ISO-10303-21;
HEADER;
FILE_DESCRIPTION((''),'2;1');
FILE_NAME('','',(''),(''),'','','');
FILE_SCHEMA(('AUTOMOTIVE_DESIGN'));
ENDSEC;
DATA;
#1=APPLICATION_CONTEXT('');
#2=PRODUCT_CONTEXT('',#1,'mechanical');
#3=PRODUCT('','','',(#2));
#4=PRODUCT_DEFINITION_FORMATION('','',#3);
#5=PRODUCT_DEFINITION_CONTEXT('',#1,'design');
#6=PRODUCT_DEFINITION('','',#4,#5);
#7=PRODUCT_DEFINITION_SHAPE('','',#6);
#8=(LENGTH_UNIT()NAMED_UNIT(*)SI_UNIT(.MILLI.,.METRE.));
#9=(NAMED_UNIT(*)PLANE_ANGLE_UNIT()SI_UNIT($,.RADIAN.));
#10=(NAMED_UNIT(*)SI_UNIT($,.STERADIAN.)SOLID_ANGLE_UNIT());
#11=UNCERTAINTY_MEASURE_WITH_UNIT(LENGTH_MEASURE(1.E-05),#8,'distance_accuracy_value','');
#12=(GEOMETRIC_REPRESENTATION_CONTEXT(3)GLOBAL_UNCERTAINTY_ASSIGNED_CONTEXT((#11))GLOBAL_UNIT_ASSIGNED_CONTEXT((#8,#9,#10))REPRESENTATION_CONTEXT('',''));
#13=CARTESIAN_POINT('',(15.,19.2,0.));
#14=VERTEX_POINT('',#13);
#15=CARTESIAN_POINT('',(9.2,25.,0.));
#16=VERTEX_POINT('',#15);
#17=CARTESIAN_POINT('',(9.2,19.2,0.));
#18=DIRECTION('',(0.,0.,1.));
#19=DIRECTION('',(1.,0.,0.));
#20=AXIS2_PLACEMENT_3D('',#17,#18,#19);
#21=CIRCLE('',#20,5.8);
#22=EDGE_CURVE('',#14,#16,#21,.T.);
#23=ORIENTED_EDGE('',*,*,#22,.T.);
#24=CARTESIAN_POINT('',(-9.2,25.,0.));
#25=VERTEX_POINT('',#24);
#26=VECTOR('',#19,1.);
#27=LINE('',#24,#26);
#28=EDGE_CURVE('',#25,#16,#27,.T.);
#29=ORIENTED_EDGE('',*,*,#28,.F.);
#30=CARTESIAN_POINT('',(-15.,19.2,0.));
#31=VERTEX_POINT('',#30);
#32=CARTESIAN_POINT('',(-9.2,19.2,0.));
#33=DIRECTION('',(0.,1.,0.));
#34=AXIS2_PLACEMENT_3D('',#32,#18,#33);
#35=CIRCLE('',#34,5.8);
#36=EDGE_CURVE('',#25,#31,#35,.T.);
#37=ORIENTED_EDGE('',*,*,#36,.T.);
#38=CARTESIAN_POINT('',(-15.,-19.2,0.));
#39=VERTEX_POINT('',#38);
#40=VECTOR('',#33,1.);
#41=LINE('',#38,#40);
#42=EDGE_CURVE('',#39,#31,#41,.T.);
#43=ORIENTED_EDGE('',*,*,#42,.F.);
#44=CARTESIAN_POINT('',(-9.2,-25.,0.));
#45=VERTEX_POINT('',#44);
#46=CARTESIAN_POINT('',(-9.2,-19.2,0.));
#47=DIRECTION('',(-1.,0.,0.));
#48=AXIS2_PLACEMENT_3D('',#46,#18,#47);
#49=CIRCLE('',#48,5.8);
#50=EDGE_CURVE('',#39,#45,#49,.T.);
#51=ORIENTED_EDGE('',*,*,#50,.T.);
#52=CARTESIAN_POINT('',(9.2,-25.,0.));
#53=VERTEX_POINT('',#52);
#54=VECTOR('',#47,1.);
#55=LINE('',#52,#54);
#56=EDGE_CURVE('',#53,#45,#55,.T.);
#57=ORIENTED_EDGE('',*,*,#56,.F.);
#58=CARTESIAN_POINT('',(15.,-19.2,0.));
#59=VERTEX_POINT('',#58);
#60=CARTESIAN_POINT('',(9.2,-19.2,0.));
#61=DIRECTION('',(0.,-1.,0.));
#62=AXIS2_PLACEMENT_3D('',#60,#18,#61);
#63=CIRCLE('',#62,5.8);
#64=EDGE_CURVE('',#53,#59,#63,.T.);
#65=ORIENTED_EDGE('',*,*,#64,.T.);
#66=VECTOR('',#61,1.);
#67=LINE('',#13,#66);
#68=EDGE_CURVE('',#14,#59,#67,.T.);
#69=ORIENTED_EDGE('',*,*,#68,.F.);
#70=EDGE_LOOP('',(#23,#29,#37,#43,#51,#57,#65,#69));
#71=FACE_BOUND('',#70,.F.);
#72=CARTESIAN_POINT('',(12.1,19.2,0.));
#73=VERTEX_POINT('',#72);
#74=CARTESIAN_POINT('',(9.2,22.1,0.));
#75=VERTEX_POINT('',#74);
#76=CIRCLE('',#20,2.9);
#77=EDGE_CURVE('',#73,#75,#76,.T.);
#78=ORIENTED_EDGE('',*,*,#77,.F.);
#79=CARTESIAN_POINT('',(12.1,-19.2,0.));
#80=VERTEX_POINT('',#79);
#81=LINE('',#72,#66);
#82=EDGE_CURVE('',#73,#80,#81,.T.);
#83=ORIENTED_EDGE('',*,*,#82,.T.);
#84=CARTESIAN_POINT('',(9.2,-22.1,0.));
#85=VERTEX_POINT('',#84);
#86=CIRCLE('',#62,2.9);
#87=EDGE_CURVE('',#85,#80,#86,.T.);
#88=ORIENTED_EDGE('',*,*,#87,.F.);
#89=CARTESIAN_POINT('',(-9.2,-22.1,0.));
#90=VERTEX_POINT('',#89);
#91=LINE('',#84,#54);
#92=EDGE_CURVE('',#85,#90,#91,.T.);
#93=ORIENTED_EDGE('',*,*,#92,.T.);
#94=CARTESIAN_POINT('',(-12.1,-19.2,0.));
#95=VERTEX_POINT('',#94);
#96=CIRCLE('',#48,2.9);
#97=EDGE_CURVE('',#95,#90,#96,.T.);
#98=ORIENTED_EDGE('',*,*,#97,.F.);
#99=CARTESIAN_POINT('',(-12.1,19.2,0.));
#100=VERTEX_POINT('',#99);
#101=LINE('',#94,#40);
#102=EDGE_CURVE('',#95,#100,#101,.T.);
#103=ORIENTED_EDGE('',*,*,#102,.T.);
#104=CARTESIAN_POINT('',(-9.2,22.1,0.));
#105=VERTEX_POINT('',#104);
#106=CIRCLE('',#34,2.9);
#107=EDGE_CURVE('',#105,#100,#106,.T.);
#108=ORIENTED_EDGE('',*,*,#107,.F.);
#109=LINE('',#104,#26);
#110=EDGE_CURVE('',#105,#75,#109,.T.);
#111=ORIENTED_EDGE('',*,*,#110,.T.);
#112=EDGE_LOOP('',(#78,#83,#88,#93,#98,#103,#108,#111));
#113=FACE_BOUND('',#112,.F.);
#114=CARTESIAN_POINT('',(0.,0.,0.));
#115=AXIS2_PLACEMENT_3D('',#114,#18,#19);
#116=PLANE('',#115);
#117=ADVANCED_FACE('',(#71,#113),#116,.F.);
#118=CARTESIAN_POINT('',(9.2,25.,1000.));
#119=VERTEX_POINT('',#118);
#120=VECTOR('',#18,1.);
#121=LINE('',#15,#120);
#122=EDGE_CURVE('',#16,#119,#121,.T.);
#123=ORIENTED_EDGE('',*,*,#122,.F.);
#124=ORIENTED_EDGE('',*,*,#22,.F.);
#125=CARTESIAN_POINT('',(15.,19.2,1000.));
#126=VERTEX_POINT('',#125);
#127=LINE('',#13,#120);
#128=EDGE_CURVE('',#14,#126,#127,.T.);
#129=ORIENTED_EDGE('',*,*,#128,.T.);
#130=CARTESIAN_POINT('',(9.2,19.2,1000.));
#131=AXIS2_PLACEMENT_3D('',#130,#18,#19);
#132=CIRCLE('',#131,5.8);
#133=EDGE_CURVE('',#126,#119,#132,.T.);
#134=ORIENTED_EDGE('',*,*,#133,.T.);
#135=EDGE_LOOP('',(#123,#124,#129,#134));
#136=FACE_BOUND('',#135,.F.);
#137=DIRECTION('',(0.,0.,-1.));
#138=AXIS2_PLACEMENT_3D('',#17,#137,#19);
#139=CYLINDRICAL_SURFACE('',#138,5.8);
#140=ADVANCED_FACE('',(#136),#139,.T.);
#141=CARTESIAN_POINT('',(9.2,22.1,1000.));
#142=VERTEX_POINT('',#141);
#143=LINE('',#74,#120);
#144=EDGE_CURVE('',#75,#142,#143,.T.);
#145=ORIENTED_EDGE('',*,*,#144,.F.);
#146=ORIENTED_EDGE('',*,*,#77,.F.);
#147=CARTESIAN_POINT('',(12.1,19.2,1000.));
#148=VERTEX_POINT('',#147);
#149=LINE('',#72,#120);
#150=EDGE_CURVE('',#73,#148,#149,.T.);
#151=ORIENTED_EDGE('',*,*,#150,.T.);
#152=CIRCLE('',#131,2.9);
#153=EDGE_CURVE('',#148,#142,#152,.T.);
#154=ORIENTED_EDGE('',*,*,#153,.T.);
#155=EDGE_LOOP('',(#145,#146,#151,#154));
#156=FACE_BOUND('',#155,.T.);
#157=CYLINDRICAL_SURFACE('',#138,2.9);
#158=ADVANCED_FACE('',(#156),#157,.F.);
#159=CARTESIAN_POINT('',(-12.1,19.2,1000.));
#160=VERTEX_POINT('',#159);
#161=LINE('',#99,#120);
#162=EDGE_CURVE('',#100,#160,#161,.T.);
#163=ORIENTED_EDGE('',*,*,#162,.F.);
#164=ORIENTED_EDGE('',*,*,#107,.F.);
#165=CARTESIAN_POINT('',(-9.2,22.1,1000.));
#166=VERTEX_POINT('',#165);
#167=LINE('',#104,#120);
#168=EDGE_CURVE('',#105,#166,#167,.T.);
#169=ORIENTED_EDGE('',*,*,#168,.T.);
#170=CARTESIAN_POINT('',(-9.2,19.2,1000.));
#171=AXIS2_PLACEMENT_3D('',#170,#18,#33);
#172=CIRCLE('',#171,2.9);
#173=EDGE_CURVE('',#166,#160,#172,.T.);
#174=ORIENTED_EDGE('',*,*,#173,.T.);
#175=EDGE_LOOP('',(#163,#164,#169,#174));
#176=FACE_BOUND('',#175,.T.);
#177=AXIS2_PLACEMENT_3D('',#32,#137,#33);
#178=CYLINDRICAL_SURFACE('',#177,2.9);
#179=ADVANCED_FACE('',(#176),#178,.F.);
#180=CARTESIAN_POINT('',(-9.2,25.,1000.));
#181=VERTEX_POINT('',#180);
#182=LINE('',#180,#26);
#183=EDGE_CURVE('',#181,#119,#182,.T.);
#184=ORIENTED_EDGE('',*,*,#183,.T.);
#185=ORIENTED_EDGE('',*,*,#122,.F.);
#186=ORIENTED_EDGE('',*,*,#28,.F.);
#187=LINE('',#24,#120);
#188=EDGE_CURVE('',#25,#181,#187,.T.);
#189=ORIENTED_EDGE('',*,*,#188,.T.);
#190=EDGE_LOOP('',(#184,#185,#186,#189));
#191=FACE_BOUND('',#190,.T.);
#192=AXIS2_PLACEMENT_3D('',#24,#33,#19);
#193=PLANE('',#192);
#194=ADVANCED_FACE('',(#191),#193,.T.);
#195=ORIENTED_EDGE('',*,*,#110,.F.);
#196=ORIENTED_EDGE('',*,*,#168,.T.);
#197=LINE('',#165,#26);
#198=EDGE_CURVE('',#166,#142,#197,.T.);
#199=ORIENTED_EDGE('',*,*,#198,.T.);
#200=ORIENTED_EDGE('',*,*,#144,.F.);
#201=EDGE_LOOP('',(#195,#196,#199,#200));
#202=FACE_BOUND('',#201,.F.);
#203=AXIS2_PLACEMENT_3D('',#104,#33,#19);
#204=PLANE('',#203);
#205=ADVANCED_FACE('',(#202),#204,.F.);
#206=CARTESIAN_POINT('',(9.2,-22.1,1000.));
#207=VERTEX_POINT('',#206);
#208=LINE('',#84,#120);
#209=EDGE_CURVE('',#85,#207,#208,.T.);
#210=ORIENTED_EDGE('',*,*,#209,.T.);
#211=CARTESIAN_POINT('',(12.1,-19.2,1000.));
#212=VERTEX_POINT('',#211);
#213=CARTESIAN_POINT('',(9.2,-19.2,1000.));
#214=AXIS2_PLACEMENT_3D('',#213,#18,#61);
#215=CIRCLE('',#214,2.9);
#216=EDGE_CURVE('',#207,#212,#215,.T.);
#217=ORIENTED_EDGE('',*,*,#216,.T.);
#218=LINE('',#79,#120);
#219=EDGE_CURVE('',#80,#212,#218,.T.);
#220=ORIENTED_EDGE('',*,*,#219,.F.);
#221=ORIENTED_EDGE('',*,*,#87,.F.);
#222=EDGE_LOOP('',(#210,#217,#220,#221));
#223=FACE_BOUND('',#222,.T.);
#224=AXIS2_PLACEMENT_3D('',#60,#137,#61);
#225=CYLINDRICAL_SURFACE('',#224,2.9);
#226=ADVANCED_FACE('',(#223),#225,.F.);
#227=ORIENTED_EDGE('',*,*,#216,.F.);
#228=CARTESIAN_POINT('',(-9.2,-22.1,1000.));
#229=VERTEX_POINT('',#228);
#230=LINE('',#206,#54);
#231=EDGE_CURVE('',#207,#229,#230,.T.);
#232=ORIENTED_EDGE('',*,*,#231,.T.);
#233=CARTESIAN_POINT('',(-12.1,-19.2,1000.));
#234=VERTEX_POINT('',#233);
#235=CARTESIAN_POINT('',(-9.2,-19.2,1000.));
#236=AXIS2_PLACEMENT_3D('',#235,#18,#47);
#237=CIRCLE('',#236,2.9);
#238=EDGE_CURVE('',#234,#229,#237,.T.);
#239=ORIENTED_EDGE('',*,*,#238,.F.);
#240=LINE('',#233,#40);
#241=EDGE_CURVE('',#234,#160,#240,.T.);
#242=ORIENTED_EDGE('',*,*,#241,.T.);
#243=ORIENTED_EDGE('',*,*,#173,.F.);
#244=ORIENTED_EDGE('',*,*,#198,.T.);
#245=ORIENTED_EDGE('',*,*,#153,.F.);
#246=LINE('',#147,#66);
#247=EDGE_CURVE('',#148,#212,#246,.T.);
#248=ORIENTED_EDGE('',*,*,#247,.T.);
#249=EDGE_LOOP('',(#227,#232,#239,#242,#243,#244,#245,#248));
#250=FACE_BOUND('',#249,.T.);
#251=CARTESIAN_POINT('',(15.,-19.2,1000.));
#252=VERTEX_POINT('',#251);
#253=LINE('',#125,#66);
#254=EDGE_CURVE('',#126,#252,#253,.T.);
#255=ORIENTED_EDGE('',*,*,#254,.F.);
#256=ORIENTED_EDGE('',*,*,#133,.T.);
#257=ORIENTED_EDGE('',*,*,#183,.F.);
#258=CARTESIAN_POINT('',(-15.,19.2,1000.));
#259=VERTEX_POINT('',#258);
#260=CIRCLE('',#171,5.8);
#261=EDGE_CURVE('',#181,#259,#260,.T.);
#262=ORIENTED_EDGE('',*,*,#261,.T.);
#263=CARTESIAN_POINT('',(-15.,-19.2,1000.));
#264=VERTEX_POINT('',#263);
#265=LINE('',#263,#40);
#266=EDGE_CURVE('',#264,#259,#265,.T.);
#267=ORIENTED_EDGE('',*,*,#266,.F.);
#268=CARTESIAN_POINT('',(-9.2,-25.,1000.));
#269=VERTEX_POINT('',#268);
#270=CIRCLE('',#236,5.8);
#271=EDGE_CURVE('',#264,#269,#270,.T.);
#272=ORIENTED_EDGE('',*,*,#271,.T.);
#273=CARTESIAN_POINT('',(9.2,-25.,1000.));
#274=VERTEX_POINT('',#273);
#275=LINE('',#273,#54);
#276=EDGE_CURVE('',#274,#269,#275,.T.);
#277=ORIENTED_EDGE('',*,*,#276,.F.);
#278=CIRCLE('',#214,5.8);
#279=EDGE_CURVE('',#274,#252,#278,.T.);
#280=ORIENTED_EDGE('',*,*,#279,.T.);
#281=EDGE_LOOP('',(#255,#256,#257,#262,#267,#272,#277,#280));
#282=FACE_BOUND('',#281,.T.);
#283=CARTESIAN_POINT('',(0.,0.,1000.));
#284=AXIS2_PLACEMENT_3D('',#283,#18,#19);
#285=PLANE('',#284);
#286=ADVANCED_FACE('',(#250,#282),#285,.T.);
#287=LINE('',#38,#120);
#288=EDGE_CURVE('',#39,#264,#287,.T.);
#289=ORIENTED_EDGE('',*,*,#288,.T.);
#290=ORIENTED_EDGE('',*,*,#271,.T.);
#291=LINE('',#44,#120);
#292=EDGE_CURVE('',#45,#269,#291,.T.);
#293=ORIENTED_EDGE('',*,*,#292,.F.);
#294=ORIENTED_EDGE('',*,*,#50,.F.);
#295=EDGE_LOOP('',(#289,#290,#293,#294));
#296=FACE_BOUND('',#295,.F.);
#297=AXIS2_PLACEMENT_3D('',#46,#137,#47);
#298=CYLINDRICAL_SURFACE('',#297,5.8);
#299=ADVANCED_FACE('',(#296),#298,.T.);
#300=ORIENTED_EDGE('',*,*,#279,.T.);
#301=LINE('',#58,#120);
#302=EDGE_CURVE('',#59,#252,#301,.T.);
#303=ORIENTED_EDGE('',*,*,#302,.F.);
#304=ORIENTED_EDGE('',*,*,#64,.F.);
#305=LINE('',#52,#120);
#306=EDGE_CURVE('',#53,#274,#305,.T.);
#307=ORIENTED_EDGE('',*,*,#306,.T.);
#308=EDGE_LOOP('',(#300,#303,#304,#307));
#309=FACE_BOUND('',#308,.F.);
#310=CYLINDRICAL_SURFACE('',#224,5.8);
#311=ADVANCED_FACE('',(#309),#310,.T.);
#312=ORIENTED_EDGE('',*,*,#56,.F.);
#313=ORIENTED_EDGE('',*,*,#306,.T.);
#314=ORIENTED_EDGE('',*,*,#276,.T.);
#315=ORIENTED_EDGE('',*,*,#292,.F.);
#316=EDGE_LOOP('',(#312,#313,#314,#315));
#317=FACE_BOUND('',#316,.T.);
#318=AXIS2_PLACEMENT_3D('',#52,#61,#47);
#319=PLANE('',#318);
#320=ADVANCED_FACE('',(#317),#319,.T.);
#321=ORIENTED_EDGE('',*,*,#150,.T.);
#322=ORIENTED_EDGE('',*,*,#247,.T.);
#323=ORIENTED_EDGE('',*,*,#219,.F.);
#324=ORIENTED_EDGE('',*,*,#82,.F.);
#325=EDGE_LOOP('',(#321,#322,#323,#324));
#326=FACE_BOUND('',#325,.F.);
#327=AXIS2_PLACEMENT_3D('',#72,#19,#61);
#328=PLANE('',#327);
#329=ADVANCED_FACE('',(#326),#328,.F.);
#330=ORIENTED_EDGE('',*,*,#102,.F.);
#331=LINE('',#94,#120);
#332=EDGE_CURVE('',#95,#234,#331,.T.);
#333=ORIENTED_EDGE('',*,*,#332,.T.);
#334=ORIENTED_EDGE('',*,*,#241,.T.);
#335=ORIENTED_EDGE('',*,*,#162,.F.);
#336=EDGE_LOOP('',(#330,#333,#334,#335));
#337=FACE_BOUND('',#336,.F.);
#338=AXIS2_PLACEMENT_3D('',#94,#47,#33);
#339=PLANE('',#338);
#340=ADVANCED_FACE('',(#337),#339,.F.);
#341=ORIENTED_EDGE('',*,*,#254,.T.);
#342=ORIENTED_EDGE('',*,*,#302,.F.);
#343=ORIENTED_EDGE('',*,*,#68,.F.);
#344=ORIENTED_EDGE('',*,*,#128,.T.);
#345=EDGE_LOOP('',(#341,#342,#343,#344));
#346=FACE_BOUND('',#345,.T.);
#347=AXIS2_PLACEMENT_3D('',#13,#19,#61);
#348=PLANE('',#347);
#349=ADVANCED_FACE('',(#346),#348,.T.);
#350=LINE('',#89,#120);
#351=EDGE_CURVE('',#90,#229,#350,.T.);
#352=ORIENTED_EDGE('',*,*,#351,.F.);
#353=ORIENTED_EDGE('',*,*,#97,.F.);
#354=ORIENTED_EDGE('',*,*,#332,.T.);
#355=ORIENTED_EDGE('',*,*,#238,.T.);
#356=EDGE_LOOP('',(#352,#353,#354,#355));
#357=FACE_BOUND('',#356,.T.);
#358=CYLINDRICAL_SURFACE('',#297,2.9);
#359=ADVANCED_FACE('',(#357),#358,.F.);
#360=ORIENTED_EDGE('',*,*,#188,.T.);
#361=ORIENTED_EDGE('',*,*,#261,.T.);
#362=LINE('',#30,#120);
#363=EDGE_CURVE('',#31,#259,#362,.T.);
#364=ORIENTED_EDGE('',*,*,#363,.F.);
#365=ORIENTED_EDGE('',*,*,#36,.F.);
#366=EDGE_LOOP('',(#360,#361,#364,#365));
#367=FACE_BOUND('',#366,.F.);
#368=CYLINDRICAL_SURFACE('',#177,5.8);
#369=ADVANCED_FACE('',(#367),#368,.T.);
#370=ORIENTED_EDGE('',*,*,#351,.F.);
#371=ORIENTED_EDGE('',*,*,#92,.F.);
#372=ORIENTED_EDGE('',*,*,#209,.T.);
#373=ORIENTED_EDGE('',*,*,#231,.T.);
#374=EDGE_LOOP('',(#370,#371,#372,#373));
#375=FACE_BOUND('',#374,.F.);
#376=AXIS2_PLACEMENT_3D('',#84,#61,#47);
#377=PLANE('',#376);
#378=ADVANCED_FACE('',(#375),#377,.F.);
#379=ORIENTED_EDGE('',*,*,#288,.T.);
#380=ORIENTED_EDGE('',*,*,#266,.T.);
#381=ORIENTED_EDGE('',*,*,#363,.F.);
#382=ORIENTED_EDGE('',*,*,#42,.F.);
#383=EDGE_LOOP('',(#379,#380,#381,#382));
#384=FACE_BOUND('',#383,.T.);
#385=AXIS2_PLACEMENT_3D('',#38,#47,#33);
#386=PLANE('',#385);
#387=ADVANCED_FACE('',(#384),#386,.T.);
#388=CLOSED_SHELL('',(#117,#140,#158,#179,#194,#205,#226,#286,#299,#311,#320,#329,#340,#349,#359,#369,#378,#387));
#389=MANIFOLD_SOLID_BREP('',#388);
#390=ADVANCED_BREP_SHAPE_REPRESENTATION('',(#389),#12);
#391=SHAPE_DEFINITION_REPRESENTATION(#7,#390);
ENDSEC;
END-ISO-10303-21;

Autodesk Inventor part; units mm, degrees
ref_plane "YZ Plane" through (0, 0, 0) normal (1, 0, 0) x (0, 1, 0)
ref_plane "Plano inicial" through (0, 0, 0) normal (0, 0, 1) x (1, 0, 0)
ref_plane "Plano final" through (0, 0, 1000) normal (0, 0, 1) x (1, 0, 0)
sketch "Boceto" plane through (0, 0, 0) normal (0, 0, 1) x (1, 0, 0)
  line L0 (-9.2, 25) -> (9.2, 25)
  line L1 (15, 19.2) -> (15, -19.2)
  line L2 (9.2, -25) -> (-9.2, -25)
  line L3 (-15, -19.2) -> (-15, 19.2)
  arc A0 (-9.2, 25) -> (-15, 19.2) centre (-9.2, 19.2) ccw
  arc A1 (15, 19.2) -> (9.2, 25) centre (9.2, 19.2) ccw
  arc A2 (9.2, -25) -> (15, -19.2) centre (9.2, -19.2) ccw
  arc A3 (-15, -19.2) -> (-9.2, -25) centre (-9.2, -19.2) ccw
  line L4 (-22.6817, 0) -> (22.6817, 0) construction
  line L5 (0, -36.6817) -> (0, 36.6817) construction
  arc A4 (-9.2, 22.1) -> (-12.1, 19.2) centre (-9.2, 19.2) ccw
  line L6 (-9.2, 22.1) -> (9.2, 22.1)
  arc A5 (12.1, 19.2) -> (9.2, 22.1) centre (9.2, 19.2) ccw
  line L7 (12.1, 19.2) -> (12.1, -19.2)
  arc A6 (9.2, -22.1) -> (12.1, -19.2) centre (9.2, -19.2) ccw
  line L8 (9.2, -22.1) -> (-9.2, -22.1)
  arc A7 (-12.1, -19.2) -> (-9.2, -22.1) centre (-9.2, -19.2) ccw
  line L9 (-12.1, -19.2) -> (-12.1, 19.2)
  point P0 (-15, 25)
  point P1 (15, -25)
  point P2 (15, 25)
  dimension "b" = 30
  dimension "ParH" = 50
  dimension "msp_r" = 5.8
  dimension "d8" = 15
  dimension "d9" = 25
  dimension "d10" = 2.9
extrude "Cuerpo" add sketch "Boceto" along normal up to surface (1000 mm away) from surface at 0
sketch "Sketch2" plane through (0, 0, 0) normal (0, 0, 1) x (1, 0, 0)
  line L0 (0, 0) -> (10, 0)
ref_plane "Work Plane3" through (0, 0, 0) normal (0, -1, 0) x (1, 0, 0)
sketch "Sketch3" plane through (0, 0, 0) normal (0, -1, 0) x (1, 0, 0)
  line L0 (-2, 0) -> (12, 0)
  line L1 (-2, 1000) -> (12, 1000)
  dimension "d14" = 1000
equation "\"msp_r\" = 2 * ParT"
equation "\"d8\" = 0.5 * b"
equation "\"d9\" = 0.5 * ParH"
equation "\"d10\" = ParT"
equation "\"G_OFFSET_START\" = 0"
equation "\"G_OFFSET_END\" = 0"
equation "\"G_L\" = d14"
equation "\"ParT\" = 2.9"
properties part number "DIN 59 410 - 50x30x2.9-1000" material "Acero, suave"
